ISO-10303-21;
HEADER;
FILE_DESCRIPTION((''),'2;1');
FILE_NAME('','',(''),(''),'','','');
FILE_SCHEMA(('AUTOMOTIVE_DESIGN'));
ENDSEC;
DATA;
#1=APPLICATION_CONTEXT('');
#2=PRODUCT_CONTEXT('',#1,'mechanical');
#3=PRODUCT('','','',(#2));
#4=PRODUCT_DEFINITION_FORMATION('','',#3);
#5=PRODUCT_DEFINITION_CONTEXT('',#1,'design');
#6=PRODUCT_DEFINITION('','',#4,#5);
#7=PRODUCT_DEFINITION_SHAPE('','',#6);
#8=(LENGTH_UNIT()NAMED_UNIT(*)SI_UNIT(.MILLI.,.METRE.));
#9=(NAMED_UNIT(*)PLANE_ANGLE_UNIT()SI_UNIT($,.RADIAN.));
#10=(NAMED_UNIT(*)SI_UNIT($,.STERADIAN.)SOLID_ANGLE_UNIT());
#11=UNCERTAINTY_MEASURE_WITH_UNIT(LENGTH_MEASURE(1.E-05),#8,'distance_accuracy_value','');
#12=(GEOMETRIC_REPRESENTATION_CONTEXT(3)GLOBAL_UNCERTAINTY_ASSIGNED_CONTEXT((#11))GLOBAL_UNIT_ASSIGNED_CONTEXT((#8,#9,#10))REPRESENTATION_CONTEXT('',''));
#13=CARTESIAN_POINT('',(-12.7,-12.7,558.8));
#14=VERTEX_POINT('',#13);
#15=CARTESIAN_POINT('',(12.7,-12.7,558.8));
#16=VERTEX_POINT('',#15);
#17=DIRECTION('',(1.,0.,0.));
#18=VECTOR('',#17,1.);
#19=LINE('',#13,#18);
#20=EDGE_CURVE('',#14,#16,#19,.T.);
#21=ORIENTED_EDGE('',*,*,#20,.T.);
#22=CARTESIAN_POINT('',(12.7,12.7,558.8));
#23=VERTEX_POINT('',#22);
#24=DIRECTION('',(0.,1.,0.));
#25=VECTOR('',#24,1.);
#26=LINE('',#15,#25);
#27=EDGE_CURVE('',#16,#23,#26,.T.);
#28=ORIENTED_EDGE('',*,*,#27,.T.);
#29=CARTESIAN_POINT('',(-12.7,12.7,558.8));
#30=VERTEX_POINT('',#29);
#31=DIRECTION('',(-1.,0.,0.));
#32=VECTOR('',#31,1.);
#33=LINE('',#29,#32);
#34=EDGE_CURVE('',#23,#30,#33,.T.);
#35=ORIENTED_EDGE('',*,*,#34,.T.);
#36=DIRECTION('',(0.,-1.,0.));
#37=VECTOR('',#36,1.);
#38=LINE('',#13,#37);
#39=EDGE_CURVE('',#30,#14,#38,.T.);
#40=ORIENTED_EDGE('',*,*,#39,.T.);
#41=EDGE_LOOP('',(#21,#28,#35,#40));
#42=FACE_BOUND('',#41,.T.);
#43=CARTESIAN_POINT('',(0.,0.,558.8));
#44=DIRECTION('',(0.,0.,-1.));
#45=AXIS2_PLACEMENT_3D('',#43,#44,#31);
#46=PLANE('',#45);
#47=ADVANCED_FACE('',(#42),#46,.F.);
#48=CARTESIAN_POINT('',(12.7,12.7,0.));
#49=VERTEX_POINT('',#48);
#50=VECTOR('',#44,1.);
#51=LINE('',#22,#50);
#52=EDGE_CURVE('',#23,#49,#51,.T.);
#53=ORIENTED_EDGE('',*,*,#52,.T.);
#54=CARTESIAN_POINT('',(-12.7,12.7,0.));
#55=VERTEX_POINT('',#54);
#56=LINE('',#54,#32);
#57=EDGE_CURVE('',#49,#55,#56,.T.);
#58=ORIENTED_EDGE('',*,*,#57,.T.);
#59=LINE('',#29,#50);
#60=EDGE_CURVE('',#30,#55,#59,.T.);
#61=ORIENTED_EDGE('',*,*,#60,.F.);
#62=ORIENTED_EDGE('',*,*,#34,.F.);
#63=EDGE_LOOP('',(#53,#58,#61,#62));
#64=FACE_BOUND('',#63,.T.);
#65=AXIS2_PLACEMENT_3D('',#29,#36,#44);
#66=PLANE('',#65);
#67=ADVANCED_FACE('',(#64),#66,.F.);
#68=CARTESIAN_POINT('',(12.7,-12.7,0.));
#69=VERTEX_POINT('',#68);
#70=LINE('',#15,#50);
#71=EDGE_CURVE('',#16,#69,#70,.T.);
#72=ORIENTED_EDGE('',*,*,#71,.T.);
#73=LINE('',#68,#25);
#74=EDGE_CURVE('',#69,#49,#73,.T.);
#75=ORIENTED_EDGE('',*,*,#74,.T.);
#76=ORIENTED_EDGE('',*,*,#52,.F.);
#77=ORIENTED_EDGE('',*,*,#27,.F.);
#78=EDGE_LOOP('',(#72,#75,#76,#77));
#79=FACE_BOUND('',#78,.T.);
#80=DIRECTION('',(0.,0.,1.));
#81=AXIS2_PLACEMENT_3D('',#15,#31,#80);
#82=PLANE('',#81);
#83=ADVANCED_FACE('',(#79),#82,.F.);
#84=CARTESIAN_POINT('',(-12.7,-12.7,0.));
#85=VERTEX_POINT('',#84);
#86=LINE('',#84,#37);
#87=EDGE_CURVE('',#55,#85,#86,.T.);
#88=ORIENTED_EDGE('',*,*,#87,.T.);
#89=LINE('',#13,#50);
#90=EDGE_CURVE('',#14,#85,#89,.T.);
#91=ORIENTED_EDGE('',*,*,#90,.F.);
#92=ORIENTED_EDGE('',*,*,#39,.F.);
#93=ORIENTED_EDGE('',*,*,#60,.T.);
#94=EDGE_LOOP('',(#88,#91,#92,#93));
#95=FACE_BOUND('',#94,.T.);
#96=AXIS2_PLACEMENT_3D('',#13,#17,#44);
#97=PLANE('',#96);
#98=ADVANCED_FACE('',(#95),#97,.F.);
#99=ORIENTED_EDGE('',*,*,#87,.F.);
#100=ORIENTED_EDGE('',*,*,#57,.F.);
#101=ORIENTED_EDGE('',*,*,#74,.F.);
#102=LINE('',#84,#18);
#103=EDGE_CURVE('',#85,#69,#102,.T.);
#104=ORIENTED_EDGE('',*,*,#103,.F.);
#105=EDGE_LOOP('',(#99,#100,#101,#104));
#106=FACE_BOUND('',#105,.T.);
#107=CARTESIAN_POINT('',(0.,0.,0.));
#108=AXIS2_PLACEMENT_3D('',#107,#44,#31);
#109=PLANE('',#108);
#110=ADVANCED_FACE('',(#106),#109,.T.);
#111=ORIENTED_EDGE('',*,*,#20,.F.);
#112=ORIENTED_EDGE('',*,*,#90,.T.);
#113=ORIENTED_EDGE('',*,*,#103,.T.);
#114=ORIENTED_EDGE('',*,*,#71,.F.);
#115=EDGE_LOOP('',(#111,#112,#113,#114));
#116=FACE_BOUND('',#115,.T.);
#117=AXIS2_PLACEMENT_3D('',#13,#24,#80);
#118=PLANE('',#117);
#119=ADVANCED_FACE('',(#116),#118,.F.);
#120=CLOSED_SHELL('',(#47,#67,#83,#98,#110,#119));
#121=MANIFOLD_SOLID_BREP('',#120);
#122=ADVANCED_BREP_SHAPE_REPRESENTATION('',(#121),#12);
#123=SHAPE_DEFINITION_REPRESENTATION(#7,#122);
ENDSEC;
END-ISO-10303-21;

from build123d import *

# Parameters (mm, degrees)
SKETCH4_W           = 25.4
SKETCH4_H           = 25.4
BOSS_EXTRUDE2_DEPTH = 558.8


with BuildPart() as part:
    # Sketch4 → Boss-Extrude2 (new body)
    with BuildSketch(Plane.XY):
        Rectangle(SKETCH4_W, SKETCH4_H)
    extrude(amount=BOSS_EXTRUDE2_DEPTH)


solid = part.part
